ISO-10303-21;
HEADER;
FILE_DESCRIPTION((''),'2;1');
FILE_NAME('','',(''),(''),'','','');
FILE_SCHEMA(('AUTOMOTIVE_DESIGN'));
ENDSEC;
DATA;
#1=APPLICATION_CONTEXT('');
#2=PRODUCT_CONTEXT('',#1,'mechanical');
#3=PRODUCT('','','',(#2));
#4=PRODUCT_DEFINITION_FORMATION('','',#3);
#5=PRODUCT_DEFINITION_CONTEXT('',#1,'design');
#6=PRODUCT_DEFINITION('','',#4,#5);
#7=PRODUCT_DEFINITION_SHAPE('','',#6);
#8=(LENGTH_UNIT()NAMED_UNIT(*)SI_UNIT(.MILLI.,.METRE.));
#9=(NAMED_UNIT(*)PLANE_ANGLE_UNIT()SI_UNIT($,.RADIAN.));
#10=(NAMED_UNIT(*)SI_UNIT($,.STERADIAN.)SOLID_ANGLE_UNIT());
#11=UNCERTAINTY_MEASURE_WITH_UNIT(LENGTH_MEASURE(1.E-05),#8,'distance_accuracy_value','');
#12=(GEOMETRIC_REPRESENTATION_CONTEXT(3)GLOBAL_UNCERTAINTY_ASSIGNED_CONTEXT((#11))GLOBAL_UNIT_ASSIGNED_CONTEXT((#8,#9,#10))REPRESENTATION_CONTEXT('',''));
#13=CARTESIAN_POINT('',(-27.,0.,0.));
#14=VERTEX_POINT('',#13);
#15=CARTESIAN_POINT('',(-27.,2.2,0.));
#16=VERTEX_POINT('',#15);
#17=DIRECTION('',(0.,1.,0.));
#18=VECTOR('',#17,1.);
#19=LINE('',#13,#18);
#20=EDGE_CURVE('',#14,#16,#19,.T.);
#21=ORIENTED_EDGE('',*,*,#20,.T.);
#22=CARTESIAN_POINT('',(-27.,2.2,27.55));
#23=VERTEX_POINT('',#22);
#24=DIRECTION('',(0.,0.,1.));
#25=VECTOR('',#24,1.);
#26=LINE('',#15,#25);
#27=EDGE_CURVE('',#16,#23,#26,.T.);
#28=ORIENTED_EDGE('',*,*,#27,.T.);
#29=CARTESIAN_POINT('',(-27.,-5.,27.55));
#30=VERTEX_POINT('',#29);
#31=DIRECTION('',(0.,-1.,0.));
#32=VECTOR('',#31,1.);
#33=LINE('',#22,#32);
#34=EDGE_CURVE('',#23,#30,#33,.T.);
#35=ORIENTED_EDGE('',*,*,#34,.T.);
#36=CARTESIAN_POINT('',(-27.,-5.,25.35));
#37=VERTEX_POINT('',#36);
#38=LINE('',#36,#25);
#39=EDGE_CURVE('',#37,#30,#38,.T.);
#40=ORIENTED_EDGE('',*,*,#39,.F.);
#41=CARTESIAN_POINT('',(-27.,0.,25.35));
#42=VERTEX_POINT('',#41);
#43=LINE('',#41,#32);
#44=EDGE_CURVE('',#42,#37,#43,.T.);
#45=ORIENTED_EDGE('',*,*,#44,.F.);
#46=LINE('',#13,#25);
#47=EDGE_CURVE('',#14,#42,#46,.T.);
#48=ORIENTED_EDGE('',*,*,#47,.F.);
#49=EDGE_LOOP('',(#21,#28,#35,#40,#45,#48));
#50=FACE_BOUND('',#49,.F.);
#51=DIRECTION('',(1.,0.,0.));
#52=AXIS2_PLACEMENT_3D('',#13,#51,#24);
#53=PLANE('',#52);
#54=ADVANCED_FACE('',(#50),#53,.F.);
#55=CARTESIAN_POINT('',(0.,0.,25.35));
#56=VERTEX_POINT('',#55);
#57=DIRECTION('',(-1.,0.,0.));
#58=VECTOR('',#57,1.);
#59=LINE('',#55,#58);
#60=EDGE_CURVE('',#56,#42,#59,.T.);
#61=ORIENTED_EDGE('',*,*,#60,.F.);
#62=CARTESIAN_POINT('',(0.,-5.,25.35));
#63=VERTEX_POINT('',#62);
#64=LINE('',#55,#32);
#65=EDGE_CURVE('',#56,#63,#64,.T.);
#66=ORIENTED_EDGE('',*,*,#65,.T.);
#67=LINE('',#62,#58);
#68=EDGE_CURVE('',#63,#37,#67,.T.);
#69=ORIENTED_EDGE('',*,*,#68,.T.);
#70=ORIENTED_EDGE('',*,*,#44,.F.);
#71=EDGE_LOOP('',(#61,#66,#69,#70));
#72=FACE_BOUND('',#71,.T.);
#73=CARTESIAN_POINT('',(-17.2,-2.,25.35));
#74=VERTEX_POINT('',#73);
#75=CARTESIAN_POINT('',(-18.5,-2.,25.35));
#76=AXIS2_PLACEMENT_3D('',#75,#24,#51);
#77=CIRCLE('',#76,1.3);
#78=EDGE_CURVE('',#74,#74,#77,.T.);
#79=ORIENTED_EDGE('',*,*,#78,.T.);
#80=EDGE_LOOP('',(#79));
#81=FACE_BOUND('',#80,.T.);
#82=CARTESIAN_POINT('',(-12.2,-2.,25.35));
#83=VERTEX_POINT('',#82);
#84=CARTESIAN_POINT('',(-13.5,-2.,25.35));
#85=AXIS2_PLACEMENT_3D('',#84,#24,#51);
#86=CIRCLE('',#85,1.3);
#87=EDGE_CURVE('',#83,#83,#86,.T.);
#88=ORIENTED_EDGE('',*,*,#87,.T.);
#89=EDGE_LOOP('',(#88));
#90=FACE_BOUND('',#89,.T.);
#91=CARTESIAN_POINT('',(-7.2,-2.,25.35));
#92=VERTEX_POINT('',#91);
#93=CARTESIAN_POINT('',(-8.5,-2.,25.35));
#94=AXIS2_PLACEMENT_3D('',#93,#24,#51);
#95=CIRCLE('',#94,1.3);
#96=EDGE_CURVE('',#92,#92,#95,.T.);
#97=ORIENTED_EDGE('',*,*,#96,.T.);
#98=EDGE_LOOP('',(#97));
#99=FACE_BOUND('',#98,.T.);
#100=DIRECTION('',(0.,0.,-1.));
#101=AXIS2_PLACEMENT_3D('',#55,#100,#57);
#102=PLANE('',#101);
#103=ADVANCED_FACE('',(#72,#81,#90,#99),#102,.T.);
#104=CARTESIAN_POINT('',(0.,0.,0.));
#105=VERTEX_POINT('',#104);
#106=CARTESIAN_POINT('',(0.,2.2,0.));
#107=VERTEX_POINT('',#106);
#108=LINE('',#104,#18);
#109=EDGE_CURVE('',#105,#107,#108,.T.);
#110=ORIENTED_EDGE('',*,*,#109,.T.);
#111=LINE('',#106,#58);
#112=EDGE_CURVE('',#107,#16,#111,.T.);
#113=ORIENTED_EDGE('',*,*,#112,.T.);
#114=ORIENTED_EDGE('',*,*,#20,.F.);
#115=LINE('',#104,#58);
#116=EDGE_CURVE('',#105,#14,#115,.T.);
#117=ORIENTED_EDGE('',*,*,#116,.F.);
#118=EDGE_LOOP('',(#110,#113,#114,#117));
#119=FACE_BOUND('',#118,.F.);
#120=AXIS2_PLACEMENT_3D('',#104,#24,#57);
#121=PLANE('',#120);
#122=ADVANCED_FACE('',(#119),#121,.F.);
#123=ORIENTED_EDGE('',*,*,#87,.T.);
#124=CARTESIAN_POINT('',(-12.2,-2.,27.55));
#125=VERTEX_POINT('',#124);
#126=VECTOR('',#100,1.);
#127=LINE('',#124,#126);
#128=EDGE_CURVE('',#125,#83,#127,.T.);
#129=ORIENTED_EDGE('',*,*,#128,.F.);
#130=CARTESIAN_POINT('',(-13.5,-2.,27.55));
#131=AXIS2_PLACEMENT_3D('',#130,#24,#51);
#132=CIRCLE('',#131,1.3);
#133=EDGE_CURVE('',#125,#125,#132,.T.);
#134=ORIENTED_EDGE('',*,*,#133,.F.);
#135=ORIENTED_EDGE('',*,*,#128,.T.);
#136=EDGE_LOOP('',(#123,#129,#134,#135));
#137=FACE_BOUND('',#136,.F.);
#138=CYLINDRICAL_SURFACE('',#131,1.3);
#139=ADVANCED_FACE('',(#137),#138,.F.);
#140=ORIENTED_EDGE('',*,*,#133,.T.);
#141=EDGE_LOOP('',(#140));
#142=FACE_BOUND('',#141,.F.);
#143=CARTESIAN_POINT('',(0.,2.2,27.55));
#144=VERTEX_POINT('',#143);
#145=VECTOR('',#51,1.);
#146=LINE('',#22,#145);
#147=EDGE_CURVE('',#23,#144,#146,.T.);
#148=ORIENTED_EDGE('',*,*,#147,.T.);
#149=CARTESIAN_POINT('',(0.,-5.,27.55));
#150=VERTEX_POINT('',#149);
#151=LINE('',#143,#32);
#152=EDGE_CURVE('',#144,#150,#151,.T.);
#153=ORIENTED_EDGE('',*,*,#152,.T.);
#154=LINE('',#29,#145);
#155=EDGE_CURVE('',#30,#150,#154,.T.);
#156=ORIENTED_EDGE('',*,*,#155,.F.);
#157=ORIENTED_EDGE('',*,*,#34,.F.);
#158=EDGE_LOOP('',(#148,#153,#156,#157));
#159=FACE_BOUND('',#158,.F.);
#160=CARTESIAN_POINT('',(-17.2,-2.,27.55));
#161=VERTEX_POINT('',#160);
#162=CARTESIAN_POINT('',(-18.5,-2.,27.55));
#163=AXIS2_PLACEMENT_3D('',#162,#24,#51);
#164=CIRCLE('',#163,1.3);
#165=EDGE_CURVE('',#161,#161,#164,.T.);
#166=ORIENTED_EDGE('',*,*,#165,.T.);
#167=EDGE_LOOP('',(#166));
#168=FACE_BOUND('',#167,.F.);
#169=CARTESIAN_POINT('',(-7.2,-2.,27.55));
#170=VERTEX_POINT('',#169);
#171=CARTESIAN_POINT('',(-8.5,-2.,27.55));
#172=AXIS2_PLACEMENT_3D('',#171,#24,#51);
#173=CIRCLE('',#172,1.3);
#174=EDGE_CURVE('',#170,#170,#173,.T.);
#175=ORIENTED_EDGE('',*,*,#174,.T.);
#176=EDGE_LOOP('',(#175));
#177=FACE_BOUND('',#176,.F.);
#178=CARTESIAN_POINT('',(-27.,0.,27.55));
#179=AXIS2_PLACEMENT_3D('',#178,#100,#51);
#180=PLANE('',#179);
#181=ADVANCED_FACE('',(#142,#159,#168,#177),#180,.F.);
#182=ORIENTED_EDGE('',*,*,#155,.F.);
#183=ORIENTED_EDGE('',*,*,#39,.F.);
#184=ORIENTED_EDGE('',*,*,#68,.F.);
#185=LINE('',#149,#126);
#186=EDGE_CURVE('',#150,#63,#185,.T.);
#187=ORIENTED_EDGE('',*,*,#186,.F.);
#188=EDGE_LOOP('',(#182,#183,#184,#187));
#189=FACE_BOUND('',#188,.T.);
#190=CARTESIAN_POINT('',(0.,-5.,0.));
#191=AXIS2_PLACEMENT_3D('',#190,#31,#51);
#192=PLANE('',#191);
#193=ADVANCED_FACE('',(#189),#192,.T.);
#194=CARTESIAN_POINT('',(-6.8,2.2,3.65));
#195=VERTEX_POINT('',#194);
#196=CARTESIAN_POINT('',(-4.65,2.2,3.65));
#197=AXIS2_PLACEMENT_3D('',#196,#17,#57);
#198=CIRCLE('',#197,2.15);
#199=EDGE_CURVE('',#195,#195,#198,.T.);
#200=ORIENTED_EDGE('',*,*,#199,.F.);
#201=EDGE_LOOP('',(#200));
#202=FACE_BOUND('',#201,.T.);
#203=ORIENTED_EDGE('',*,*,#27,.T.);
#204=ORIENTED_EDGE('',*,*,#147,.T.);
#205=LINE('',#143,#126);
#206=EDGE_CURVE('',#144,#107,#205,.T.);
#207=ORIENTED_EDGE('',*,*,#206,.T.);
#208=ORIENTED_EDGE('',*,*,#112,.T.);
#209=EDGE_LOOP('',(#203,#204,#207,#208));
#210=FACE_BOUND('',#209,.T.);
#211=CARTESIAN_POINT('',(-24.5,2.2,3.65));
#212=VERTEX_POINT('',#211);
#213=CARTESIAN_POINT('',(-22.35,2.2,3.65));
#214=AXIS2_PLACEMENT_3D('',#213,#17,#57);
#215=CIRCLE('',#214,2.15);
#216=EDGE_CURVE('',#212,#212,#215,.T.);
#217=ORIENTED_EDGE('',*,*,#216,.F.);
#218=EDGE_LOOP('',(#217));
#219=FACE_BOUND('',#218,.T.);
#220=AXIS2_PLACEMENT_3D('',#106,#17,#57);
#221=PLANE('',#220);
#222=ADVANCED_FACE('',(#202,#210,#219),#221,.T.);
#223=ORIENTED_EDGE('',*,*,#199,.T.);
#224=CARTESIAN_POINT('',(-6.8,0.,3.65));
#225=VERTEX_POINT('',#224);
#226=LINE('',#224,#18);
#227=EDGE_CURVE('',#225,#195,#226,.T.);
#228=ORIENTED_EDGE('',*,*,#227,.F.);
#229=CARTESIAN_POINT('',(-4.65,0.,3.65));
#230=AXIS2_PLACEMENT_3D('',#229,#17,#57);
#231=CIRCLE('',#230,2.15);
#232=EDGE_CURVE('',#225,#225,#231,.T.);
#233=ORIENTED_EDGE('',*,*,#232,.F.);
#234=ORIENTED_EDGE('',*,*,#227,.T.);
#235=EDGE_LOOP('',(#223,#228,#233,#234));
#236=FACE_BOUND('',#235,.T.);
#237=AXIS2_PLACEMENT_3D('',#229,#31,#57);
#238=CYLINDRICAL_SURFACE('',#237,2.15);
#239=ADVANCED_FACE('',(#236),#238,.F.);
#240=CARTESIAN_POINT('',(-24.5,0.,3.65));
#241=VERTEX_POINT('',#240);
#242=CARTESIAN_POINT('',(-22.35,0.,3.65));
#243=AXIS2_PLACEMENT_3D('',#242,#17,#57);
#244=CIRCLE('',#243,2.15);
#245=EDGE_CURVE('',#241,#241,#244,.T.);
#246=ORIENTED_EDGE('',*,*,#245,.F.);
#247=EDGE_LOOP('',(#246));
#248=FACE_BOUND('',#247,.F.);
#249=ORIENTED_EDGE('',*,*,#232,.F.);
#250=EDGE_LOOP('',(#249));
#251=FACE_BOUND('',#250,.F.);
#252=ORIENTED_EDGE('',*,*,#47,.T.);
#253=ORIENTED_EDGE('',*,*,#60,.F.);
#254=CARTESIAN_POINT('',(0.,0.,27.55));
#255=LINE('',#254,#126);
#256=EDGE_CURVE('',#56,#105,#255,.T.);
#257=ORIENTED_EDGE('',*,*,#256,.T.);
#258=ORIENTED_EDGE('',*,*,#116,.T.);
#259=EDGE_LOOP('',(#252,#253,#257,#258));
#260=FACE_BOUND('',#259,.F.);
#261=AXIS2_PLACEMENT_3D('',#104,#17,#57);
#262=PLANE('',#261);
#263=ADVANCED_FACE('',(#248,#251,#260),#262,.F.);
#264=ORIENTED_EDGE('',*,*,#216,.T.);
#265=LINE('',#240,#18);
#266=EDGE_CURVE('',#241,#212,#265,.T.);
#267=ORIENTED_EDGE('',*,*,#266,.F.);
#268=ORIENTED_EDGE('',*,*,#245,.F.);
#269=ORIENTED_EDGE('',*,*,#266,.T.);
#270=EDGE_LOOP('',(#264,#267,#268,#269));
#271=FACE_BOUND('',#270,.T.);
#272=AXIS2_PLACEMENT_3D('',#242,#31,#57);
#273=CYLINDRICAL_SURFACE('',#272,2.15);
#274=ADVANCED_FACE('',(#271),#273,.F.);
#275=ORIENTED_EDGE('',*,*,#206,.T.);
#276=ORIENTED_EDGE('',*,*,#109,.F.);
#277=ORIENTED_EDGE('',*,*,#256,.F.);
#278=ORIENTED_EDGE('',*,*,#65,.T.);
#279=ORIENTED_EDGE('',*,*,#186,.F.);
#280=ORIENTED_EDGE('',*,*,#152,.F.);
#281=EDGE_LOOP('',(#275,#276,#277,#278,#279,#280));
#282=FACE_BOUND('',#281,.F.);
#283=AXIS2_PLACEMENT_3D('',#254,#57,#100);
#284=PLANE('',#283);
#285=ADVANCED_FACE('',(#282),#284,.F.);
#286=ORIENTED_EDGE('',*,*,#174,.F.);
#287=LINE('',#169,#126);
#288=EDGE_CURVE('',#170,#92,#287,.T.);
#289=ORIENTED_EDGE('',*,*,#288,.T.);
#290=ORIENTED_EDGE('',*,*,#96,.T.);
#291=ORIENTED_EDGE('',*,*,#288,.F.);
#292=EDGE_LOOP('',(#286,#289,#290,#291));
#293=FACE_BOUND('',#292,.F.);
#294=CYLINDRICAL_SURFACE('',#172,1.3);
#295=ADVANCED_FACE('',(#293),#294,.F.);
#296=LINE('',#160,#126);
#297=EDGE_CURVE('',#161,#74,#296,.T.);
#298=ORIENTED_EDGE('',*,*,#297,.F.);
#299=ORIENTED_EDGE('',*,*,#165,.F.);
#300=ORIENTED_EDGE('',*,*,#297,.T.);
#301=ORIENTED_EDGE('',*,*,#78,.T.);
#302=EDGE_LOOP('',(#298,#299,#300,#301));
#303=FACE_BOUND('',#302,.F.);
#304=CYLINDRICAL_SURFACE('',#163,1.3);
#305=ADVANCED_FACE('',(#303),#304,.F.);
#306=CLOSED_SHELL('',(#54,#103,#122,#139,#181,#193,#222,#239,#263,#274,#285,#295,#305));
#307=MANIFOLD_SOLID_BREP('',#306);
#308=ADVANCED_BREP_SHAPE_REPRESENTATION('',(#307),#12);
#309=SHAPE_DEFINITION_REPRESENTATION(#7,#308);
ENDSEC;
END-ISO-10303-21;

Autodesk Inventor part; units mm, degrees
ref_plane "YZ Plane" through (0, 0, 0) normal (1, 0, 0) x (0, 1, 0)
ref_plane "XZ Plane" through (0, 0, 0) normal (0, 1, 0) x (-1, 0, 0)
ref_plane "XY Plane" through (0, 0, 0) normal (0, 0, 1) x (1, 0, 0)
sketch "Esquisse1" plane through (0, 0, 0) normal (0, 1, 0) x (-1, 0, 0)
  line L0 (0, 0) -> (27, 0)
  line L1 (27, 0) -> (27, 27.55)
  line L2 (27, 27.55) -> (0, 27.55)
  line L3 (0, 27.55) -> (0, 0)
  circle A0 centre (4.65, 3.65) radius 2.15
  line L4 (13.5, 27.55) -> (13.5, 0) construction
  circle A1 centre (22.35, 3.65) radius 2.15
  dimension "d0" = 27
  dimension "d1" = 27.55
  dimension "d2" = 4.3
  dimension "d3" = 3.65
  dimension "d4" = 4.65
extrude "Extrusion1" add sketch "Esquisse1" along normal blind 2.2
sketch "Esquisse2" plane through (0, 0, 0) normal (0, -1, 0) x (1, 0, 0)
  line L0 (0, 27.55) -> (0, 0) construction
  line L1 (-27, 27.55) -> (0, 27.55)
  line L2 (0, 27.55) -> (0, 25.35)
  line L3 (0, 25.35) -> (-27, 25.35)
  line L4 (-27, 25.35) -> (-27, 27.55)
  dimension "d7" = 2.2
extrude "Extrusion2" add sketch "Esquisse2" along normal blind 5
sketch "Esquisse3" plane through (-27, 2.2, 27.55) normal (0, 0, 1) x (1, 0, 0)
  line L0 (27, -7.2) -> (27, 0) construction
  line L1 (0, -7.2) -> (0, 0) construction
  line L2 (27, -7.2) -> (0, -7.2) construction
  line L3 (0, -4.2) -> (27, -4.2) construction
  circle A0 centre (13.5, -4.2) radius 1.3
  circle A1 centre (18.5, -4.2) radius 1.3
  circle A2 centre (8.5, -4.2) radius 1.3
  circle A3 centre (13.5, -4.2) radius 1.3
  point P0 (27, -2.2)
  dimension "d10" = 3
  dimension "d11" = 2.6
  dimension "d14" = 5
  dimension "d17" = 5
extrude "Extrusion3" cut sketch "Esquisse3" against normal through all
properties part number "BodyToOpenCM"
